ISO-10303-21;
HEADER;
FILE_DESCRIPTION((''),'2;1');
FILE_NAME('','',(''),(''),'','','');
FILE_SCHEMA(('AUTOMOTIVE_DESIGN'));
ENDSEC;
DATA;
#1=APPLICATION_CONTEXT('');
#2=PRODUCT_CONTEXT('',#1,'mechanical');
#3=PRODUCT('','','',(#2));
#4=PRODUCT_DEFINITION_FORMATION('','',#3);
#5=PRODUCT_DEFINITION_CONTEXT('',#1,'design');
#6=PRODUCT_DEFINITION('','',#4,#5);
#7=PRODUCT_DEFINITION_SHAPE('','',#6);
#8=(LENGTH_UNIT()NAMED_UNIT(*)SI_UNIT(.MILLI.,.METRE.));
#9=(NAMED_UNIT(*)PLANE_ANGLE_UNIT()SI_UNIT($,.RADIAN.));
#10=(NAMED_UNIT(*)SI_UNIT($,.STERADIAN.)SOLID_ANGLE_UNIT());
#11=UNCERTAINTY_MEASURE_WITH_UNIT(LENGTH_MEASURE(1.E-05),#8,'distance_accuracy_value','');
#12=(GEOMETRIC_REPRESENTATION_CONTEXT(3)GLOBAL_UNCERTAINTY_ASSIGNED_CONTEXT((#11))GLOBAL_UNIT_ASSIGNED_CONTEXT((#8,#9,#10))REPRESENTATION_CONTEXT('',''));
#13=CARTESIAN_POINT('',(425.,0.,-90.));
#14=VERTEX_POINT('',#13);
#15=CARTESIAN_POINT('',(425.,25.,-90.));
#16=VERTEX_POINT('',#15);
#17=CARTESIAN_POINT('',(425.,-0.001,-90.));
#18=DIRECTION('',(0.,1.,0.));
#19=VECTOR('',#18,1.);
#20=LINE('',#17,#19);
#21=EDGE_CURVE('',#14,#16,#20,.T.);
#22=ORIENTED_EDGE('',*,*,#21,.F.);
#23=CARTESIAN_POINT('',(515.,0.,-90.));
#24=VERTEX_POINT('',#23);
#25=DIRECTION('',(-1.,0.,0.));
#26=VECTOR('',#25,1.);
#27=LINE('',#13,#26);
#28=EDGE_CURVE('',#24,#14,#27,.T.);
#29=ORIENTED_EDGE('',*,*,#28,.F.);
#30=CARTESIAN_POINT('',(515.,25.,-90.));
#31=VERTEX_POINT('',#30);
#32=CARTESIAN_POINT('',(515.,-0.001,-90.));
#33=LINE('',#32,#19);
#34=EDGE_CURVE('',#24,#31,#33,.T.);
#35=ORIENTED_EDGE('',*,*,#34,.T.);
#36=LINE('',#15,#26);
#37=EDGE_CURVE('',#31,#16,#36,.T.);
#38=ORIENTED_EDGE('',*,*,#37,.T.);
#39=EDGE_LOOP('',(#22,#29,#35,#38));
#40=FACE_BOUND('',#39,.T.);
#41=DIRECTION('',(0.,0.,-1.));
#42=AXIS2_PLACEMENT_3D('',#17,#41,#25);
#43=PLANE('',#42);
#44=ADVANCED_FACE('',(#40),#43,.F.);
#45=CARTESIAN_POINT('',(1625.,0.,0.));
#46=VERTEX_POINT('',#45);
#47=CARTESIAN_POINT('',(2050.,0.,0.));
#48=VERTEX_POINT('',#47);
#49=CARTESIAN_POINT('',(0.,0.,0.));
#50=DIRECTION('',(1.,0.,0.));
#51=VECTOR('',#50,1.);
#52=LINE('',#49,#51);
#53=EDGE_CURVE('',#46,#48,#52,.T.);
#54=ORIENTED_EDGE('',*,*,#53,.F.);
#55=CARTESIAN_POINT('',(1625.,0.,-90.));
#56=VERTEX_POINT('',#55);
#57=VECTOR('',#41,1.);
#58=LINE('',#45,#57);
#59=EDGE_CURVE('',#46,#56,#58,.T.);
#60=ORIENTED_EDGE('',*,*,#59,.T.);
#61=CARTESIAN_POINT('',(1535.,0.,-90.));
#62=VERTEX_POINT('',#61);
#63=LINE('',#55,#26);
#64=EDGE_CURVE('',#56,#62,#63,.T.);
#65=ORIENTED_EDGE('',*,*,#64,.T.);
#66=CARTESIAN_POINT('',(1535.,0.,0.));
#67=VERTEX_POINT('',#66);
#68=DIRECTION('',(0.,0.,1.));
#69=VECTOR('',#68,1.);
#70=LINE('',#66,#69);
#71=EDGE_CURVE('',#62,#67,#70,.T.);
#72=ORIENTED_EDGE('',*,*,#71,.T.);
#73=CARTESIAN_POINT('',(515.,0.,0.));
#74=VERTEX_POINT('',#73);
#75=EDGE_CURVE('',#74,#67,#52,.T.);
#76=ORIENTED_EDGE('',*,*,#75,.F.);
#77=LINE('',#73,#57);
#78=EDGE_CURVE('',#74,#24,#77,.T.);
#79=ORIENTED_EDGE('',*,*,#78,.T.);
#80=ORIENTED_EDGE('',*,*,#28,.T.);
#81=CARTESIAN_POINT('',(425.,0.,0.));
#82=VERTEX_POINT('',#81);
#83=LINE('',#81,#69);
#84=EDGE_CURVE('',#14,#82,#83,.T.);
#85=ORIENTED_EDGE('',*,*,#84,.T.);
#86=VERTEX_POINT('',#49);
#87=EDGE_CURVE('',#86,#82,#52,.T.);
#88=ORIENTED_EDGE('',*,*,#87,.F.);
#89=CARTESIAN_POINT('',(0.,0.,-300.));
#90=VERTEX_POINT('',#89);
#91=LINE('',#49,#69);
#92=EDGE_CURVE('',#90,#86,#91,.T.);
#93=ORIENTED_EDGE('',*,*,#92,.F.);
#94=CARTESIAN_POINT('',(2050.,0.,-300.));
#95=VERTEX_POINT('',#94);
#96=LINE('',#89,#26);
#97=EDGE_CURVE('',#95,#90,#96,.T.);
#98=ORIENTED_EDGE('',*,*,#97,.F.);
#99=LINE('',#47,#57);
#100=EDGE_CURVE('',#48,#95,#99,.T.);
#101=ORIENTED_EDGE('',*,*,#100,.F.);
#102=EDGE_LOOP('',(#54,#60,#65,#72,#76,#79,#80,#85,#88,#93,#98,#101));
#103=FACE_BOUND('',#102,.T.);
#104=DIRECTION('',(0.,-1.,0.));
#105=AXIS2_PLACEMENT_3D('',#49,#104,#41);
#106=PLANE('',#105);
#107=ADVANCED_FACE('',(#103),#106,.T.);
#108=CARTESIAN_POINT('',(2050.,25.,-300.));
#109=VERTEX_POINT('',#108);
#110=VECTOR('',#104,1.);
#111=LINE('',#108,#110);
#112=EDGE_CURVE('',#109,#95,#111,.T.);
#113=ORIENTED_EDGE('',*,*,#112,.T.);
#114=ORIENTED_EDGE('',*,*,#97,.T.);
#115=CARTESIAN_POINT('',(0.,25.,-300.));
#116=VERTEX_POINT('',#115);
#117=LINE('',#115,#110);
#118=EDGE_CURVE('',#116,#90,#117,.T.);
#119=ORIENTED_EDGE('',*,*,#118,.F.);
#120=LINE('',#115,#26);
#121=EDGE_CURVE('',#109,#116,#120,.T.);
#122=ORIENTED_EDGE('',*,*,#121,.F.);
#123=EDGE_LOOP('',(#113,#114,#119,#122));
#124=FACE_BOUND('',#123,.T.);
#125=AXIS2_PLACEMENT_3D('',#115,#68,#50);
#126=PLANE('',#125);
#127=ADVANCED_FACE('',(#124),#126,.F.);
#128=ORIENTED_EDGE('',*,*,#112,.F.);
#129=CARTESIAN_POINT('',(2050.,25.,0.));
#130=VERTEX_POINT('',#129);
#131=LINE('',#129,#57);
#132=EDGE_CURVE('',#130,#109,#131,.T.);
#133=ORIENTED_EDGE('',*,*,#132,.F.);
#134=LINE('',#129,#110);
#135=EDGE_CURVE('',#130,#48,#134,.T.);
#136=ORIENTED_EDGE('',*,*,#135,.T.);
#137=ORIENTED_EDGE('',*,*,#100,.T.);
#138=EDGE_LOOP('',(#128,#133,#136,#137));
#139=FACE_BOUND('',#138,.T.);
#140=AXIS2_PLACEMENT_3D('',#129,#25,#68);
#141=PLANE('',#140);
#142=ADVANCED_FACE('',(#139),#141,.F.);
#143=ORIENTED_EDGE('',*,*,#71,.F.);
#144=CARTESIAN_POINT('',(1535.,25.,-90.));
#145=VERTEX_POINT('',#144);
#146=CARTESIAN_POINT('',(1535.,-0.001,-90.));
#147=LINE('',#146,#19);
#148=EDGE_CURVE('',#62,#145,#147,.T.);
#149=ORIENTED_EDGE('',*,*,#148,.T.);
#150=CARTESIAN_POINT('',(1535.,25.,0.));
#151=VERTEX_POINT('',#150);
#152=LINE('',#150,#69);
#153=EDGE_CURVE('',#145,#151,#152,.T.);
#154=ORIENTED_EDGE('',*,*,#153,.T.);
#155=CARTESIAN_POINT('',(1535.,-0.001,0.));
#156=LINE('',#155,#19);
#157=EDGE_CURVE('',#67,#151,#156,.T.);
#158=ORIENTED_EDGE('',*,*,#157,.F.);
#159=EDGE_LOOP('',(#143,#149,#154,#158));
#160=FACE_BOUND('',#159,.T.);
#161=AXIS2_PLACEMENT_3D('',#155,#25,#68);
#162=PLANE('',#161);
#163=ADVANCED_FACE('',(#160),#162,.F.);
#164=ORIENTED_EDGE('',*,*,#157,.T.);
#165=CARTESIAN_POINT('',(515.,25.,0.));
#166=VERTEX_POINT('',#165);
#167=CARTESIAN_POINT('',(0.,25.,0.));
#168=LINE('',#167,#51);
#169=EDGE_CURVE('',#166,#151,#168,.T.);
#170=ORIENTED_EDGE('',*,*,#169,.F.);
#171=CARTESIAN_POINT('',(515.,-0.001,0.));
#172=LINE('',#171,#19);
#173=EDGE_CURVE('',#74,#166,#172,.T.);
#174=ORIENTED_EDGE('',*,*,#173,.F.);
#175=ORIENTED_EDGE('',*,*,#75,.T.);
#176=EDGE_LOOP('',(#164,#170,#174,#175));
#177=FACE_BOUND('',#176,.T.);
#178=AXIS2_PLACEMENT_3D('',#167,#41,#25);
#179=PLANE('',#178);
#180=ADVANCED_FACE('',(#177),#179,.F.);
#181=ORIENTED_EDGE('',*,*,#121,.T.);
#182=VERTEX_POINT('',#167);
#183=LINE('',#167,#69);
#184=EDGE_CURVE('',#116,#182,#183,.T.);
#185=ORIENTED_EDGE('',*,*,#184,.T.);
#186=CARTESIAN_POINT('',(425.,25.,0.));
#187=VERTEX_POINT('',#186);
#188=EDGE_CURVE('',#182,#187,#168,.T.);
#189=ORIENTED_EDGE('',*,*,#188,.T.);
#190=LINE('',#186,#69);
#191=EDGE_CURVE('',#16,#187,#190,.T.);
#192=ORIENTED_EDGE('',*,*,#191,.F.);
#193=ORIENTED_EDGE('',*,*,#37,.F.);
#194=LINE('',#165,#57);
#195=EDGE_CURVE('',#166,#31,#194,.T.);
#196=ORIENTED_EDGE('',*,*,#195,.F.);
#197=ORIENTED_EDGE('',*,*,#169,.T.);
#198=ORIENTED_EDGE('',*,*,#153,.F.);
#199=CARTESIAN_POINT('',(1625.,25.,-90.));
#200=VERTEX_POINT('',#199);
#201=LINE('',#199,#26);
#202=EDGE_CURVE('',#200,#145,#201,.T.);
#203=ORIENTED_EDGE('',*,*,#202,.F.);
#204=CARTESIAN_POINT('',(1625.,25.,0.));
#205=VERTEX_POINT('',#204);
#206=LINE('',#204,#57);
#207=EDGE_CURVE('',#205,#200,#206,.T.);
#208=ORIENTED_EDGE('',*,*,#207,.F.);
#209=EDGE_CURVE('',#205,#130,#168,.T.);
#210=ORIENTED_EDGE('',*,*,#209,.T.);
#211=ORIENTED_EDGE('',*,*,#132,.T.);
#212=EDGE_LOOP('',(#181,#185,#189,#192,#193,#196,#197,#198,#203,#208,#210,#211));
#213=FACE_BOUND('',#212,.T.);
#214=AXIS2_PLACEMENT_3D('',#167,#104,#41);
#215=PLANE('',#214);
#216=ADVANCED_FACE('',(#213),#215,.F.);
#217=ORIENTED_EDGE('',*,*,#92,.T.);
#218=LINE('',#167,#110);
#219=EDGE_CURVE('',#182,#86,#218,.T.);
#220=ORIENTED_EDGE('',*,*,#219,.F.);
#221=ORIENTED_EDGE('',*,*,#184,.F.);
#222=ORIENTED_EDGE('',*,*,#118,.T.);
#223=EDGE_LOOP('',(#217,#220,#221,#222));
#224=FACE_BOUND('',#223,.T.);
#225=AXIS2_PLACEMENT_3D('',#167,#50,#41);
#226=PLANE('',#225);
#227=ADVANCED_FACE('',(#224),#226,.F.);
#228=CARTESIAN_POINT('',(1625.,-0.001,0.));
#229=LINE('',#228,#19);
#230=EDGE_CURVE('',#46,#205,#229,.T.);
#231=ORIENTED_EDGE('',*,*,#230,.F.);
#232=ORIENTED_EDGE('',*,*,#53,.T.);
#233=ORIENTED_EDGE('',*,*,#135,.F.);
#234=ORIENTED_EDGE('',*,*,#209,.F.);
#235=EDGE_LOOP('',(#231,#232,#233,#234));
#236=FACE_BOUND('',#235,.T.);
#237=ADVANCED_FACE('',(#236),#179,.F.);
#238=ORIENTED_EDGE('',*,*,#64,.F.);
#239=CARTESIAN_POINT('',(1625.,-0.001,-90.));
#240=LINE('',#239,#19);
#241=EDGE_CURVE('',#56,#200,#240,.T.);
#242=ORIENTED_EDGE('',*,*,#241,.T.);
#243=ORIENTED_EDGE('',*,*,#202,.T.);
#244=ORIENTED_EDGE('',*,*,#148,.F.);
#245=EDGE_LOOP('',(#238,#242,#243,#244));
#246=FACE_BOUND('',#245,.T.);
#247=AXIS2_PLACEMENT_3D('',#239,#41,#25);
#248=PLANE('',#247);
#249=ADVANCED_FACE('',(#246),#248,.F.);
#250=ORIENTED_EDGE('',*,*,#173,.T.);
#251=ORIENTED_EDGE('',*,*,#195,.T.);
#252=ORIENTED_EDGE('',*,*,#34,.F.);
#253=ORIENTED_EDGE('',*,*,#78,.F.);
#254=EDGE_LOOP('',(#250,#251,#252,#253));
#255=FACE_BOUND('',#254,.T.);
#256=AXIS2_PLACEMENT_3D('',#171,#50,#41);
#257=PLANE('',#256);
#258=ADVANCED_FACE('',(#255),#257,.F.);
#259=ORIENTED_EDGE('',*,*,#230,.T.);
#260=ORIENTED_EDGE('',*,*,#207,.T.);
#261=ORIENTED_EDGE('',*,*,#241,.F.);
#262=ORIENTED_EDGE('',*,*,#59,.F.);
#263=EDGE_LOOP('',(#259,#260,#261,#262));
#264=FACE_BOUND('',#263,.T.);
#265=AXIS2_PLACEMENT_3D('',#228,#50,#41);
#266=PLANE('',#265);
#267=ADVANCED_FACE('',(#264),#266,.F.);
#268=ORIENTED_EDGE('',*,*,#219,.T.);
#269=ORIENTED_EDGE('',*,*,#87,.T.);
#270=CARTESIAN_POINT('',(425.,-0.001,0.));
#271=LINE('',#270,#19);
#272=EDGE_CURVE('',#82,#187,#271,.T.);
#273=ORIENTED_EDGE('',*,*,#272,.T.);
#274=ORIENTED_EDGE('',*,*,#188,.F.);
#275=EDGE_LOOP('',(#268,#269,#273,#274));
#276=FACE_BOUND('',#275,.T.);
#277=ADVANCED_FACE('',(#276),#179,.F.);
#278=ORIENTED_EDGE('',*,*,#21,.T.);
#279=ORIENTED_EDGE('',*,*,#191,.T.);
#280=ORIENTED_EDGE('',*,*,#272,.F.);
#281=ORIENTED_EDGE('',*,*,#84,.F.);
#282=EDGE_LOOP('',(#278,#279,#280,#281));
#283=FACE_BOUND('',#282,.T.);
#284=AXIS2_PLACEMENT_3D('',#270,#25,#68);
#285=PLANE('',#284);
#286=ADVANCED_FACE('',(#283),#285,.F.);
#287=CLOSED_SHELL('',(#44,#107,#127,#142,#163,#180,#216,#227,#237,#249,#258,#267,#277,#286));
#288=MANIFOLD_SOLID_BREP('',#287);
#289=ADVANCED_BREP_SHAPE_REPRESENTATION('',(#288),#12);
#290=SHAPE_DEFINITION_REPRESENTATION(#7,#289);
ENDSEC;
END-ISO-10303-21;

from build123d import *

# Parameters (mm, degrees)
SKETCH1_W           = 2050
SKETCH1_H           = 300
BOSS_EXTRUDE1_DEPTH = 25
CUT_EXTRUDE1_REACH  = 2073.986
SKETCH2_W           = 90
SKETCH2_H           = 90


with BuildPart() as part:
    # Sketch1 → Boss-Extrude1 (new body)
    with BuildSketch(Plane(origin=(0, 0, 0), x_dir=(1, 0, 0), z_dir=(0, 1, 0))):
        with Locations((1025, 150)):
            Rectangle(SKETCH1_W, SKETCH1_H)
    extrude(amount=BOSS_EXTRUDE1_DEPTH)

    # Sketch2 → Cut-Extrude1 (cut, up to next)
    with BuildSketch(Plane(origin=(0, 25, 0), x_dir=(1, 0, 0), z_dir=(0, 1, 0)), mode=Mode.PRIVATE) as cut_extrude1_sk1:
        with Locations((470, 45)):
            Rectangle(SKETCH2_W, SKETCH2_H)
    cut_extrude1_tool1 = extrude(cut_extrude1_sk1.sketch, amount=-CUT_EXTRUDE1_REACH, mode=Mode.PRIVATE) & part.part
    # Sketch2 → Cut-Extrude1 (cut, up to next)
    with BuildSketch(Plane(origin=(0, 25, 0), x_dir=(1, 0, 0), z_dir=(0, 1, 0)), mode=Mode.PRIVATE) as cut_extrude1_sk2:
        with Locations((1580, 45)):
            Rectangle(SKETCH2_W, SKETCH2_H)
    cut_extrude1_tool2 = extrude(cut_extrude1_sk2.sketch, amount=-CUT_EXTRUDE1_REACH, mode=Mode.PRIVATE) & part.part
    add(cut_extrude1_tool1.solids().sort_by_distance((470, 25, -45))[0], mode=Mode.SUBTRACT)
    add(cut_extrude1_tool2.solids().sort_by_distance((1580, 25, -45))[0], mode=Mode.SUBTRACT)


solid = part.part
